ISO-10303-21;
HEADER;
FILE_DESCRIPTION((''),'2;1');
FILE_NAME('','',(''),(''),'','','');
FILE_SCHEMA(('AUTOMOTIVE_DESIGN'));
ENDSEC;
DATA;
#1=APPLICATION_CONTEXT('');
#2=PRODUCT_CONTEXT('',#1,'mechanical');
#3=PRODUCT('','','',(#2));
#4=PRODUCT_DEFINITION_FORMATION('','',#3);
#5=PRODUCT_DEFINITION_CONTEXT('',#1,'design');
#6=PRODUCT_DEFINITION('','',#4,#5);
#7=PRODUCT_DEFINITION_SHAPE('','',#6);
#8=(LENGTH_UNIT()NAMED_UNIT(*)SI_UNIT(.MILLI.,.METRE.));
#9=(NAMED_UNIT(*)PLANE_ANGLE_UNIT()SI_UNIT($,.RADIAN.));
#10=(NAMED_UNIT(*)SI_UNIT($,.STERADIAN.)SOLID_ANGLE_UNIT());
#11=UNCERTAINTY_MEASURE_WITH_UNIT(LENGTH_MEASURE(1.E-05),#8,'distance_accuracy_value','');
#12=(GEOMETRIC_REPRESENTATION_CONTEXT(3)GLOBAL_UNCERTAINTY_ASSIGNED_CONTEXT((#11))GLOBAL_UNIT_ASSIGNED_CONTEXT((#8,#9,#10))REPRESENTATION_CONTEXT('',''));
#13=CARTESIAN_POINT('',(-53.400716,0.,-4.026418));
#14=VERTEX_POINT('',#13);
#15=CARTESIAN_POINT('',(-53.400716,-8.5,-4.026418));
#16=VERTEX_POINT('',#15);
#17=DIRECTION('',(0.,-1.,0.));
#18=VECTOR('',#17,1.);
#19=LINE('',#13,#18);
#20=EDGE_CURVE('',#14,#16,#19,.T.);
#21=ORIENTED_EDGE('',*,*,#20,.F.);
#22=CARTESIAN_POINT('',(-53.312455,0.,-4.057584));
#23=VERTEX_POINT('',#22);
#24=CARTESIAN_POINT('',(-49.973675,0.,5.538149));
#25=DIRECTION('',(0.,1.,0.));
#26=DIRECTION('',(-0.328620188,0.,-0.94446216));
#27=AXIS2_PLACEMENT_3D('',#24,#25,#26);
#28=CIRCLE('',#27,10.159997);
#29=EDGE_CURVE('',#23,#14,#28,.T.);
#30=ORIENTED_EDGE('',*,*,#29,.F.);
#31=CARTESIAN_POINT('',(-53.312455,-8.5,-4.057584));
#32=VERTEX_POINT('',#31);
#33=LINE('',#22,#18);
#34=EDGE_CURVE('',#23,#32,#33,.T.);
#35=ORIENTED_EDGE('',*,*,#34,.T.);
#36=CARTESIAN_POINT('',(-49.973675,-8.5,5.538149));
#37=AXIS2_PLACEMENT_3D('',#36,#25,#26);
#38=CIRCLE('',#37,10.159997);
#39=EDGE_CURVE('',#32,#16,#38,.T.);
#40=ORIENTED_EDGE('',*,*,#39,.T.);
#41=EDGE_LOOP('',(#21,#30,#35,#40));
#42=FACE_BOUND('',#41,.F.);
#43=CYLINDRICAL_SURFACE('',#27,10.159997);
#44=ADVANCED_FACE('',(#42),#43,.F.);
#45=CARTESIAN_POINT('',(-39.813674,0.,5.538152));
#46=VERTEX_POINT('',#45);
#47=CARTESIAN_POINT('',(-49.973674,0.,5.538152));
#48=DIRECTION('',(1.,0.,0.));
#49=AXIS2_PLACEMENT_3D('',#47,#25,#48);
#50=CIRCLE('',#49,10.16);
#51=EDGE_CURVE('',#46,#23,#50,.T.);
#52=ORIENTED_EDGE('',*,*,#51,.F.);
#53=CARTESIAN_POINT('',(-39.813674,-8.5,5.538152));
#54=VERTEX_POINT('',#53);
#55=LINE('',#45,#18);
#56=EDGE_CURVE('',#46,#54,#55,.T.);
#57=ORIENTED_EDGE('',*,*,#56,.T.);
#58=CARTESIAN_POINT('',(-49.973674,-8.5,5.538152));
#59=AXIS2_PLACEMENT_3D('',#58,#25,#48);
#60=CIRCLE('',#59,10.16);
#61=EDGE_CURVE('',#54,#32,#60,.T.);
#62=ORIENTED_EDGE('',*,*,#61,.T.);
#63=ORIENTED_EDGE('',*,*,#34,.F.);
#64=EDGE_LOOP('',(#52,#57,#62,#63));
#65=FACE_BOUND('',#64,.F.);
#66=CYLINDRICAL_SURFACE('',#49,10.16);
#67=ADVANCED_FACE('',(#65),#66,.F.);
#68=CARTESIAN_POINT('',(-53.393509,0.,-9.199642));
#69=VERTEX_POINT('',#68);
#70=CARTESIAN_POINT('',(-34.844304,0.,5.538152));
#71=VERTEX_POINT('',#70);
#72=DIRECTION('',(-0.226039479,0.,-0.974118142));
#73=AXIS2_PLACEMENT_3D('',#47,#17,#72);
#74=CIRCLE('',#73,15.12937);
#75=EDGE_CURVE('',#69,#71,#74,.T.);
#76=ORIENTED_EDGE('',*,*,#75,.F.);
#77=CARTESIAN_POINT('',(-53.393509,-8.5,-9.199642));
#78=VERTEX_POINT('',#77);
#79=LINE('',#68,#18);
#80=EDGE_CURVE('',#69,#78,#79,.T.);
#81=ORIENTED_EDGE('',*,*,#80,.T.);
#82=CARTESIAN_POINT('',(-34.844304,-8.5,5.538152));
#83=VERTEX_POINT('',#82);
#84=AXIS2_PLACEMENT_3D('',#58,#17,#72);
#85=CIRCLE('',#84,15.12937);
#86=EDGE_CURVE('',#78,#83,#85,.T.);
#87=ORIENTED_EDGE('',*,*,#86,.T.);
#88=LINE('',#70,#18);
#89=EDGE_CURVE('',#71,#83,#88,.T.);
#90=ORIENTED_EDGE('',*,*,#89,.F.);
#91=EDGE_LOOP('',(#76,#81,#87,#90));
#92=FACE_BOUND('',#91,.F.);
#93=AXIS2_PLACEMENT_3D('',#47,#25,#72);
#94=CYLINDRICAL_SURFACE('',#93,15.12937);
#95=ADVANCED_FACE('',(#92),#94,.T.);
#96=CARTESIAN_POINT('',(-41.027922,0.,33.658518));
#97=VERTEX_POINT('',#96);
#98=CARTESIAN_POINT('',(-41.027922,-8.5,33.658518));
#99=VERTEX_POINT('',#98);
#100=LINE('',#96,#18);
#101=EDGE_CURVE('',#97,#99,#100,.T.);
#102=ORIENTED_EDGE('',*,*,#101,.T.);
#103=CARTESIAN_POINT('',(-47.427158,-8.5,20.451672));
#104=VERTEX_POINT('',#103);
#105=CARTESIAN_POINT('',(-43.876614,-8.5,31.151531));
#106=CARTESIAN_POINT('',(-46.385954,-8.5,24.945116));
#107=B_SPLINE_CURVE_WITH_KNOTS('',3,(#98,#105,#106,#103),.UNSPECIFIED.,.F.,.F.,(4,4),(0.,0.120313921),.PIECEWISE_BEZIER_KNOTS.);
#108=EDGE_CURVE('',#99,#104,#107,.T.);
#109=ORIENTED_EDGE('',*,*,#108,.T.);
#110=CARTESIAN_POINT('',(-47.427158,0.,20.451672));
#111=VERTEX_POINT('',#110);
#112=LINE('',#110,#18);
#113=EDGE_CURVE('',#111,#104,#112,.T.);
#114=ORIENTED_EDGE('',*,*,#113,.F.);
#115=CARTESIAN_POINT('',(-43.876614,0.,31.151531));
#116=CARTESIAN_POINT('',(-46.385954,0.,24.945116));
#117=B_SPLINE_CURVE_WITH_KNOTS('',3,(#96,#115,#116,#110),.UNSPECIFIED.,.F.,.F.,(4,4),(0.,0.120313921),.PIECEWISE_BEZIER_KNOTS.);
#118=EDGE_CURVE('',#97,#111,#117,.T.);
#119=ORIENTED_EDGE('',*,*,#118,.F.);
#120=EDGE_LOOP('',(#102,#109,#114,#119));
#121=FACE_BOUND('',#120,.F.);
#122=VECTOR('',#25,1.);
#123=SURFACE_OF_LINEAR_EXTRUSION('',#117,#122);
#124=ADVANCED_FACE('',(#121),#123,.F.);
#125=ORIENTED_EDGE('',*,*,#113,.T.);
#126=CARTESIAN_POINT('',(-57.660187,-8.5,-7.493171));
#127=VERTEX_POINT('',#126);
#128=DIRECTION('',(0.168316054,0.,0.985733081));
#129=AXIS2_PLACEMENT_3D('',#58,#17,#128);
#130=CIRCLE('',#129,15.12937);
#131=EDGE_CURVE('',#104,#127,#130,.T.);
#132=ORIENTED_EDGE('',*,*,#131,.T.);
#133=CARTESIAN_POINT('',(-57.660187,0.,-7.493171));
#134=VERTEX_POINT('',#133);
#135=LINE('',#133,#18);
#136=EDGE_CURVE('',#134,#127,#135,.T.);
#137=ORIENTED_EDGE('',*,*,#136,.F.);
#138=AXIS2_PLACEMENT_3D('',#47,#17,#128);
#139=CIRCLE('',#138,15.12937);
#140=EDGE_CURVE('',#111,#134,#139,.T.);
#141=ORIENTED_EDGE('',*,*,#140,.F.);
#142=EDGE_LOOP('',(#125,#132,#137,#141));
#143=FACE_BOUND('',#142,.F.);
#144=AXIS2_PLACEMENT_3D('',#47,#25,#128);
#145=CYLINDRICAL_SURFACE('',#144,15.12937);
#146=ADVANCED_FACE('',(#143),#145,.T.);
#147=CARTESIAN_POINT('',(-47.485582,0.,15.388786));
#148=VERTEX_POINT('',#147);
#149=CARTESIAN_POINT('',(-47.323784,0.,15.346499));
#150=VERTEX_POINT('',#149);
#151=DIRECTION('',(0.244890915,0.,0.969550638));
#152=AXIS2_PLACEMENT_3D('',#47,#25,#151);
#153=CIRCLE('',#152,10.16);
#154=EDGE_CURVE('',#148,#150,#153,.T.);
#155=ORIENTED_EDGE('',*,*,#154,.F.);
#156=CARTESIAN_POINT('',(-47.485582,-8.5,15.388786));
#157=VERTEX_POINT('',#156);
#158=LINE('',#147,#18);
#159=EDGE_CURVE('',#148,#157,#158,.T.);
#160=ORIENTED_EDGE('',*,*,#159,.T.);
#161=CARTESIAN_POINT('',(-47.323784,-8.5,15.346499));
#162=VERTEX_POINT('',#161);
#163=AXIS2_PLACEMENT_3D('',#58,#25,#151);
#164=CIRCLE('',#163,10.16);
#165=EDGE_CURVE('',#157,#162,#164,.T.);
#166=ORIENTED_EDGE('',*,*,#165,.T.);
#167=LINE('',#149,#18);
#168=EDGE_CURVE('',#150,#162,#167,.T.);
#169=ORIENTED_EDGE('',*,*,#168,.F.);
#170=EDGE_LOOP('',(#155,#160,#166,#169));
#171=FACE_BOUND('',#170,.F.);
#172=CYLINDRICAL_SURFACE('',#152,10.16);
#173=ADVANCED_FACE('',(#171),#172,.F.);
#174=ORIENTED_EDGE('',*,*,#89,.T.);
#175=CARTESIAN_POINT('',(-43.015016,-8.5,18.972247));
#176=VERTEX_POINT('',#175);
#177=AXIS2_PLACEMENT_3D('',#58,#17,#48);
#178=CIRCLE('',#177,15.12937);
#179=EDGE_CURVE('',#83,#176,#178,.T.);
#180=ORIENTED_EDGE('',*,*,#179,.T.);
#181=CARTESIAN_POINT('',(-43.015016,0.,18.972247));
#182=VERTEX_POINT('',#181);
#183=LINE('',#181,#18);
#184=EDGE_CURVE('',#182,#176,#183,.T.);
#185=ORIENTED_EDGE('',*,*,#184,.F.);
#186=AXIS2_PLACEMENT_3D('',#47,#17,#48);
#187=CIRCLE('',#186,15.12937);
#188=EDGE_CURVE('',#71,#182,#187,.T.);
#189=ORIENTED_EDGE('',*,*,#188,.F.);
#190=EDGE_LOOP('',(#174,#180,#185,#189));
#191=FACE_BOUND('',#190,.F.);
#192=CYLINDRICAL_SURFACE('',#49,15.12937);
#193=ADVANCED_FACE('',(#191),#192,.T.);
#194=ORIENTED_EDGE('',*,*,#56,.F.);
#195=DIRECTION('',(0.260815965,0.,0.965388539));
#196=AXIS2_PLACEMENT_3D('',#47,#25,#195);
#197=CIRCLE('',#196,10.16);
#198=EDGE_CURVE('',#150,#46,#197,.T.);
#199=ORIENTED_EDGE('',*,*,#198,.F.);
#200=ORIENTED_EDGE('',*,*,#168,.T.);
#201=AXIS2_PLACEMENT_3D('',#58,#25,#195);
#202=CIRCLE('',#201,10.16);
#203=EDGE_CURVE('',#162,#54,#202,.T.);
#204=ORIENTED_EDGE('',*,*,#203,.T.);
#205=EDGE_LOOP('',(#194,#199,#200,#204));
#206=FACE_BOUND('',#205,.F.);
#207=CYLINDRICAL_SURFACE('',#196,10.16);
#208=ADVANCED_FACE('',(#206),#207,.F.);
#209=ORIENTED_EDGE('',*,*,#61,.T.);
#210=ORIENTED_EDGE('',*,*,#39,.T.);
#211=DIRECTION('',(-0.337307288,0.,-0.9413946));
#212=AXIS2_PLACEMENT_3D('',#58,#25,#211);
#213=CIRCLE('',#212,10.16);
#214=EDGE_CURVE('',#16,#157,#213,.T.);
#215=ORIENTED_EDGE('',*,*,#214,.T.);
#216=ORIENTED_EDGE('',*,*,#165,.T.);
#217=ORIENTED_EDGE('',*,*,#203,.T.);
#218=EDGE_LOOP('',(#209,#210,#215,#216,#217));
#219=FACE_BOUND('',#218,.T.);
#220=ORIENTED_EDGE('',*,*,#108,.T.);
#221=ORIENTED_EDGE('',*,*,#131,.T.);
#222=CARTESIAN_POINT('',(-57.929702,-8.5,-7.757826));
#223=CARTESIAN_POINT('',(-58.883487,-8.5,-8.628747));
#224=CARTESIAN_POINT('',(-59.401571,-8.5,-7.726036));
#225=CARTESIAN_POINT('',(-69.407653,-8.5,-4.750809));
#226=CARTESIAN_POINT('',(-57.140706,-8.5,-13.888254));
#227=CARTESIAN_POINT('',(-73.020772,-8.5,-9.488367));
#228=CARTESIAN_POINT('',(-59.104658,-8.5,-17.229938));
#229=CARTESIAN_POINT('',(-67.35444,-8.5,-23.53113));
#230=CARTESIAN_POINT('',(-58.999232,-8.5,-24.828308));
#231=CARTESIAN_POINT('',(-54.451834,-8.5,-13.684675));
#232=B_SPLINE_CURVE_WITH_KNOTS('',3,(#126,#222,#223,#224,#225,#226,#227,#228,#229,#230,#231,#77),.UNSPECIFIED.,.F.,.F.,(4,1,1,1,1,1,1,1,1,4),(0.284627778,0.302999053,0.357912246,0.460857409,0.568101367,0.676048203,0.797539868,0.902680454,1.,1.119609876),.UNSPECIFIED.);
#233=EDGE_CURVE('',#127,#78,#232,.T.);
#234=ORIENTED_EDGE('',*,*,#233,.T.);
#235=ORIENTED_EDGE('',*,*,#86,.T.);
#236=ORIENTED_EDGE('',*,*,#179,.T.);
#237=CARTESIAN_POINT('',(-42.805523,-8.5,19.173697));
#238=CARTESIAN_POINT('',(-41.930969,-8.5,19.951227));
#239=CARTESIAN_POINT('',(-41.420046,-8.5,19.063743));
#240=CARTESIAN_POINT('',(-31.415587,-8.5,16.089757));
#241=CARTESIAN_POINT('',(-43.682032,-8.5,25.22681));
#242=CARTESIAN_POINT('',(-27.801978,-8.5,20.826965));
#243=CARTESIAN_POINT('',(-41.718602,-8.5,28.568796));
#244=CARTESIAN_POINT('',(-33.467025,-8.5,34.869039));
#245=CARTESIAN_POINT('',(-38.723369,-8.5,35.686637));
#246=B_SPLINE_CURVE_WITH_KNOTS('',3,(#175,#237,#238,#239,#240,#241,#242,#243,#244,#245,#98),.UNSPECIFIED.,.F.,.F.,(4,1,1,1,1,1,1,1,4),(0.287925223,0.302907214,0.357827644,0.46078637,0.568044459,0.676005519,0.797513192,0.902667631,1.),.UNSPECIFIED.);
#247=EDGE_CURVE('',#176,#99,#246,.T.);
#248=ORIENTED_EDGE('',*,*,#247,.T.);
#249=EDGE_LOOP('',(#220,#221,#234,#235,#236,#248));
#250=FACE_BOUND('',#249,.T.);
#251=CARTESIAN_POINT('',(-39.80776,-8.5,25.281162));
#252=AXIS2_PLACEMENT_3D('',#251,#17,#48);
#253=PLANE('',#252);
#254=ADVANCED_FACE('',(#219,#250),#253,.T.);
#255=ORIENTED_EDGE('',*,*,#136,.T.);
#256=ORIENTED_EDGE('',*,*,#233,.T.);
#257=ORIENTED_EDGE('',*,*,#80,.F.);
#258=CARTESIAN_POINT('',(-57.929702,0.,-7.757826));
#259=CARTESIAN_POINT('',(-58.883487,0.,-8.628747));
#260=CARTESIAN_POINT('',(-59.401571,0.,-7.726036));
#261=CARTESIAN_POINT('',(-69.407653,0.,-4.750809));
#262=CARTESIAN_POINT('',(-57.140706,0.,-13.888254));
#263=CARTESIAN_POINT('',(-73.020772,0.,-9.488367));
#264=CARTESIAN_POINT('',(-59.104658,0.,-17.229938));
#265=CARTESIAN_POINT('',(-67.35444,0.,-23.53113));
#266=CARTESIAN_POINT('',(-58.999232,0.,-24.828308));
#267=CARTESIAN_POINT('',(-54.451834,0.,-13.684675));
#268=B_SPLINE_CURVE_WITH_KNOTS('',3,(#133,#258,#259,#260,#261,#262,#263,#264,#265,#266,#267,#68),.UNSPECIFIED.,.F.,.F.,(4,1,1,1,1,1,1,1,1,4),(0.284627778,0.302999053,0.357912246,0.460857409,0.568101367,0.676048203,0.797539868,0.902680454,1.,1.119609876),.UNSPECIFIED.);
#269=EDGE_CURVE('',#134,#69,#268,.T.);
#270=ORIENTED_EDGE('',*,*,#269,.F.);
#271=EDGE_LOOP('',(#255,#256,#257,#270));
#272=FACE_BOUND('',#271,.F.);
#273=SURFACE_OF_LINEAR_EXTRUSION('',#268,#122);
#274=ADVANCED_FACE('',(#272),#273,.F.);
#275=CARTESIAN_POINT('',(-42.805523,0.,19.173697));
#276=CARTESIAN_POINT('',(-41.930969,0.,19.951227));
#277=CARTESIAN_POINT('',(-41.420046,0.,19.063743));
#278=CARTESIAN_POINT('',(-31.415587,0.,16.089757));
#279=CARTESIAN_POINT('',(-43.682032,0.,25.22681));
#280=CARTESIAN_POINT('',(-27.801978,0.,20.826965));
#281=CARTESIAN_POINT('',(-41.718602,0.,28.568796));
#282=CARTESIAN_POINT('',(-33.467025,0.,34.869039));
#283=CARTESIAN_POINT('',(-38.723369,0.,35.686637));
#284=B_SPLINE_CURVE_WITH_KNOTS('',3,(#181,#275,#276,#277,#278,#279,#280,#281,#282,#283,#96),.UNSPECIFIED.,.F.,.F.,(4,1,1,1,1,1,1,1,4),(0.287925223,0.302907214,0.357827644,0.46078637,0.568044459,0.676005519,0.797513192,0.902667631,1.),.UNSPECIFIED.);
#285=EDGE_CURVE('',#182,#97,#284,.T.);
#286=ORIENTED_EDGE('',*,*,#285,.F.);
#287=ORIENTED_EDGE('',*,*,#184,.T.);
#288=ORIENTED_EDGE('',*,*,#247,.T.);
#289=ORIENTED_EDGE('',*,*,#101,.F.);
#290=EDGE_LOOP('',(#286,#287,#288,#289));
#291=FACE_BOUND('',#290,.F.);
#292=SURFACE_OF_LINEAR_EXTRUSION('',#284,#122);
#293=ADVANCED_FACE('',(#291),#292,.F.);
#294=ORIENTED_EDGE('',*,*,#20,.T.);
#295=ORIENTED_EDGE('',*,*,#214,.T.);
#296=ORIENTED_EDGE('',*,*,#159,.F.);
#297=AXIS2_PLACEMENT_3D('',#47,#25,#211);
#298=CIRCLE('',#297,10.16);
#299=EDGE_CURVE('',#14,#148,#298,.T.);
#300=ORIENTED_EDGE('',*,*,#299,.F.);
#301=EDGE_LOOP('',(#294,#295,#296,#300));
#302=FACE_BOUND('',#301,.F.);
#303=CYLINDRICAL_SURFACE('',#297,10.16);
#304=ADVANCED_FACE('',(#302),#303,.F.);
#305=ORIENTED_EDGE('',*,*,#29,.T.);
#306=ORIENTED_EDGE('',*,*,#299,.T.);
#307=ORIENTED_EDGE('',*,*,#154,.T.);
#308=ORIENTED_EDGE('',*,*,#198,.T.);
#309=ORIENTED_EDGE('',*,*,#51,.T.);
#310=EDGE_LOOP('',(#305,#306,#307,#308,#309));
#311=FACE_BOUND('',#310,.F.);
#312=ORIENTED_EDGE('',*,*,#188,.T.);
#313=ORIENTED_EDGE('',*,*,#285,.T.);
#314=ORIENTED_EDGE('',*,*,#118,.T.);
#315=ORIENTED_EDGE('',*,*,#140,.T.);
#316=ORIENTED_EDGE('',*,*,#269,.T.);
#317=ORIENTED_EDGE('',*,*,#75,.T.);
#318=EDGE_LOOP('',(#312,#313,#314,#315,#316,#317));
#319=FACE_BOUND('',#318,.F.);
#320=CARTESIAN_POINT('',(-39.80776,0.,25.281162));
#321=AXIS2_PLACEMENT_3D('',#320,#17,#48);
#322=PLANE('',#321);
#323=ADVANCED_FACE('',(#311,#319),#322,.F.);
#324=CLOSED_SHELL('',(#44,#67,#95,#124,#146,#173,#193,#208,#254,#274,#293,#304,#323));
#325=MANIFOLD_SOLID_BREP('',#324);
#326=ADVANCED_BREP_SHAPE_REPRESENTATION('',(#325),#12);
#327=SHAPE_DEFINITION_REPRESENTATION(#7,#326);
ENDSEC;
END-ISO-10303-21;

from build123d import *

# Parameters (mm, degrees)
F1_DEPTH = 8.5


with BuildPart() as f1:
    # F0 (on Front) → F1 (new body)
    with BuildSketch(Plane.XZ):
        with BuildLine():
            add(Edge.make_bspline(
                [(-43.0150162544, 18.9722470028), (-42.805522927, 19.1736973767), (-41.9309694047, 19.9512274897), (-41.4200461701, 19.0637429664), (-31.415586762, 16.089756605), (-43.6820320668, 25.226810169), (-27.8019778135, 20.8269649449), (-41.7186019649, 28.5687962424), (-33.4670254703, 34.8690385706), (-38.7233685194, 35.6866365821), (-41.0279221585, 33.6585175246)],
                knots=[0.2879252231, 0.2879252231, 0.2879252231, 0.2879252231, 0.3029072143, 0.3578276435, 0.4607863704, 0.5680444588, 0.6760055185, 0.7975131917, 0.9026676312, 1, 1, 1, 1], degree=3))
            add(Edge.make_bspline(
                [(-41.0279221585, 33.6585175246), (-43.8766135961, 31.1515307939), (-46.3859539702, 24.9451159167), (-47.4271582544, 20.4516721607)],
                knots=[0, 0, 0, 0, 0.1203139214, 0.1203139214, 0.1203139214, 0.1203139214], degree=3))
            ThreePointArc((-47.4271582544, 20.4516721607), (-45.1638657439, 19.8826133173), (-43.0150162544, 18.9722470028))
        make_face()
        with BuildLine():
            ThreePointArc((-43.0150162544, 18.9722470028), (-45.1638657439, 19.8826133173), (-47.4271582544, 20.4516721607))
            add(Edge.make_bspline(
                [(-47.4271582544, 20.4516721607), (-48.047640677, 17.7739047813), (-48.1467442758, 15.7044644327), (-47.4855824177, 15.388786081)],
                knots=[0.1203139214, 0.1203139214, 0.1203139214, 0.1203139214, 0.192012314, 0.192012314, 0.192012314, 0.192012314], degree=3))
            ThreePointArc((-47.4855824177, 15.388786081), (-47.4045961571, 15.3679755261), (-47.3237839098, 15.3464991607))
            add(Edge.make_bspline(
                [(-47.3237839098, 15.3464991607), (-46.351379064, 15.2676022478), (-44.2807121663, 17.7551442053), (-43.0150162544, 18.9722470028)],
                knots=[0.1974085213, 0.1974085213, 0.1974085213, 0.1974085213, 0.2879252231, 0.2879252231, 0.2879252231, 0.2879252231], degree=3))
        make_face()
        with BuildLine():
            add(Edge.make_bspline(
                [(-47.4271582544, 20.4516721607), (-48.047640677, 17.7739047813), (-48.1467442758, 15.7044644327), (-47.4855824177, 15.388786081)],
                knots=[0.1203139214, 0.1203139214, 0.1203139214, 0.1203139214, 0.192012314, 0.192012314, 0.192012314, 0.192012314], degree=3))
            ThreePointArc((-47.4271582544, 20.4516721607), (-64.1804841774, 10.7404959293), (-57.6601869175, -7.4931706499))
            add(Edge.make_bspline(
                [(-53.4007161618, -4.0264175405), (-54.3078499587, -3.8097303097), (-56.3457460319, -6.2024303447), (-57.6601869175, -7.4931706499)],
                knots=[0.1950298427, 0.1950298427, 0.1950298427, 0.1950298427, 0.284627778, 0.284627778, 0.284627778, 0.284627778], degree=3))
            ThreePointArc((-53.4007161618, -4.0264175405), (-59.6926215848, 8.4991750961), (-47.4855824177, 15.388786081))
        make_face()
        with BuildLine():
            ThreePointArc((-34.8443040531, 5.5381515995), (-37.0473840753, 13.4000129755), (-43.0150162544, 18.9722470028))
            add(Edge.make_bspline(
                [(-47.3237839098, 15.3464991607), (-46.351379064, 15.2676022478), (-44.2807121663, 17.7551442053), (-43.0150162544, 18.9722470028)],
                knots=[0.1974085213, 0.1974085213, 0.1974085213, 0.1974085213, 0.2879252231, 0.2879252231, 0.2879252231, 0.2879252231], degree=3))
            ThreePointArc((-47.3237839098, 15.3464991607), (-41.9068133747, 11.7148301357), (-39.8136741185, 5.5381515995))
            ThreePointArc((-39.8136741185, 5.5381515995), (-44.0870968499, -2.7427787867), (-53.3124552327, -4.0575839467))
            add(Edge.make_bspline(
                [(-53.3935090429, -9.199642254), (-52.7530497955, -6.4854670009), (-52.6432481378, -4.3789676135), (-53.3124552327, -4.0575839467)],
                knots=[0.1196098764, 0.1196098764, 0.1196098764, 0.1196098764, 0.1919933341, 0.1919933341, 0.1919933341, 0.1919933341], degree=3))
            ThreePointArc((-53.3935090429, -9.199642254), (-40.5620353015, -6.3074760055), (-34.8443040531, 5.5381515995))
        make_face()
        with BuildLine():
            add(Edge.make_bspline(
                [(-53.4007161618, -4.0264175405), (-54.3078499587, -3.8097303097), (-56.3457460319, -6.2024303447), (-57.6601869175, -7.4931706499)],
                knots=[0.1950298427, 0.1950298427, 0.1950298427, 0.1950298427, 0.284627778, 0.284627778, 0.284627778, 0.284627778], degree=3))
            ThreePointArc((-57.6601869175, -7.4931706499), (-55.592014734, -8.5093423872), (-53.3935090429, -9.199642254))
            add(Edge.make_bspline(
                [(-53.3935090429, -9.199642254), (-52.7530497955, -6.4854670009), (-52.6432481378, -4.3789676135), (-53.3124552327, -4.0575839467)],
                knots=[0.1196098764, 0.1196098764, 0.1196098764, 0.1196098764, 0.1919933341, 0.1919933341, 0.1919933341, 0.1919933341], degree=3))
            ThreePointArc((-53.3124552327, -4.0575839467), (-53.3566215887, -4.0421023854), (-53.4007161618, -4.0264175405))
        make_face()
        with BuildLine():
            ThreePointArc((-53.3935090429, -9.199642254), (-55.592014734, -8.5093423872), (-57.6601869175, -7.4931706499))
            add(Edge.make_bspline(
                [(-57.6601869175, -7.4931706499), (-57.9297015479, -7.7578256832), (-58.8834871125, -8.6287474792), (-59.401570641, -7.7260357656), (-69.4076526347, -4.7508092953), (-57.1407055448, -13.8882539875), (-73.0207720186, -9.4883671828), (-59.1046581838, -17.2299380032), (-67.3544400908, -23.5311299199), (-62.1021767649, -24.3465640221), (-59.7949028015, -22.3198881686)],
                knots=[0.284627778, 0.284627778, 0.284627778, 0.284627778, 0.3029990526, 0.3579122462, 0.4608574089, 0.5681013666, 0.676048203, 0.7975398683, 0.9026804543, 1, 1, 1, 1], degree=3))
            add(Edge.make_bspline(
                [(-59.7949028015, -22.3198881686), (-56.9591645997, -19.829017023), (-54.4518344385, -13.6846748457), (-53.3935090429, -9.199642254)],
                knots=[0, 0, 0, 0, 0.1196098764, 0.1196098764, 0.1196098764, 0.1196098764], degree=3))
        make_face()
    extrude(amount=F1_DEPTH)


solid = f1.part
